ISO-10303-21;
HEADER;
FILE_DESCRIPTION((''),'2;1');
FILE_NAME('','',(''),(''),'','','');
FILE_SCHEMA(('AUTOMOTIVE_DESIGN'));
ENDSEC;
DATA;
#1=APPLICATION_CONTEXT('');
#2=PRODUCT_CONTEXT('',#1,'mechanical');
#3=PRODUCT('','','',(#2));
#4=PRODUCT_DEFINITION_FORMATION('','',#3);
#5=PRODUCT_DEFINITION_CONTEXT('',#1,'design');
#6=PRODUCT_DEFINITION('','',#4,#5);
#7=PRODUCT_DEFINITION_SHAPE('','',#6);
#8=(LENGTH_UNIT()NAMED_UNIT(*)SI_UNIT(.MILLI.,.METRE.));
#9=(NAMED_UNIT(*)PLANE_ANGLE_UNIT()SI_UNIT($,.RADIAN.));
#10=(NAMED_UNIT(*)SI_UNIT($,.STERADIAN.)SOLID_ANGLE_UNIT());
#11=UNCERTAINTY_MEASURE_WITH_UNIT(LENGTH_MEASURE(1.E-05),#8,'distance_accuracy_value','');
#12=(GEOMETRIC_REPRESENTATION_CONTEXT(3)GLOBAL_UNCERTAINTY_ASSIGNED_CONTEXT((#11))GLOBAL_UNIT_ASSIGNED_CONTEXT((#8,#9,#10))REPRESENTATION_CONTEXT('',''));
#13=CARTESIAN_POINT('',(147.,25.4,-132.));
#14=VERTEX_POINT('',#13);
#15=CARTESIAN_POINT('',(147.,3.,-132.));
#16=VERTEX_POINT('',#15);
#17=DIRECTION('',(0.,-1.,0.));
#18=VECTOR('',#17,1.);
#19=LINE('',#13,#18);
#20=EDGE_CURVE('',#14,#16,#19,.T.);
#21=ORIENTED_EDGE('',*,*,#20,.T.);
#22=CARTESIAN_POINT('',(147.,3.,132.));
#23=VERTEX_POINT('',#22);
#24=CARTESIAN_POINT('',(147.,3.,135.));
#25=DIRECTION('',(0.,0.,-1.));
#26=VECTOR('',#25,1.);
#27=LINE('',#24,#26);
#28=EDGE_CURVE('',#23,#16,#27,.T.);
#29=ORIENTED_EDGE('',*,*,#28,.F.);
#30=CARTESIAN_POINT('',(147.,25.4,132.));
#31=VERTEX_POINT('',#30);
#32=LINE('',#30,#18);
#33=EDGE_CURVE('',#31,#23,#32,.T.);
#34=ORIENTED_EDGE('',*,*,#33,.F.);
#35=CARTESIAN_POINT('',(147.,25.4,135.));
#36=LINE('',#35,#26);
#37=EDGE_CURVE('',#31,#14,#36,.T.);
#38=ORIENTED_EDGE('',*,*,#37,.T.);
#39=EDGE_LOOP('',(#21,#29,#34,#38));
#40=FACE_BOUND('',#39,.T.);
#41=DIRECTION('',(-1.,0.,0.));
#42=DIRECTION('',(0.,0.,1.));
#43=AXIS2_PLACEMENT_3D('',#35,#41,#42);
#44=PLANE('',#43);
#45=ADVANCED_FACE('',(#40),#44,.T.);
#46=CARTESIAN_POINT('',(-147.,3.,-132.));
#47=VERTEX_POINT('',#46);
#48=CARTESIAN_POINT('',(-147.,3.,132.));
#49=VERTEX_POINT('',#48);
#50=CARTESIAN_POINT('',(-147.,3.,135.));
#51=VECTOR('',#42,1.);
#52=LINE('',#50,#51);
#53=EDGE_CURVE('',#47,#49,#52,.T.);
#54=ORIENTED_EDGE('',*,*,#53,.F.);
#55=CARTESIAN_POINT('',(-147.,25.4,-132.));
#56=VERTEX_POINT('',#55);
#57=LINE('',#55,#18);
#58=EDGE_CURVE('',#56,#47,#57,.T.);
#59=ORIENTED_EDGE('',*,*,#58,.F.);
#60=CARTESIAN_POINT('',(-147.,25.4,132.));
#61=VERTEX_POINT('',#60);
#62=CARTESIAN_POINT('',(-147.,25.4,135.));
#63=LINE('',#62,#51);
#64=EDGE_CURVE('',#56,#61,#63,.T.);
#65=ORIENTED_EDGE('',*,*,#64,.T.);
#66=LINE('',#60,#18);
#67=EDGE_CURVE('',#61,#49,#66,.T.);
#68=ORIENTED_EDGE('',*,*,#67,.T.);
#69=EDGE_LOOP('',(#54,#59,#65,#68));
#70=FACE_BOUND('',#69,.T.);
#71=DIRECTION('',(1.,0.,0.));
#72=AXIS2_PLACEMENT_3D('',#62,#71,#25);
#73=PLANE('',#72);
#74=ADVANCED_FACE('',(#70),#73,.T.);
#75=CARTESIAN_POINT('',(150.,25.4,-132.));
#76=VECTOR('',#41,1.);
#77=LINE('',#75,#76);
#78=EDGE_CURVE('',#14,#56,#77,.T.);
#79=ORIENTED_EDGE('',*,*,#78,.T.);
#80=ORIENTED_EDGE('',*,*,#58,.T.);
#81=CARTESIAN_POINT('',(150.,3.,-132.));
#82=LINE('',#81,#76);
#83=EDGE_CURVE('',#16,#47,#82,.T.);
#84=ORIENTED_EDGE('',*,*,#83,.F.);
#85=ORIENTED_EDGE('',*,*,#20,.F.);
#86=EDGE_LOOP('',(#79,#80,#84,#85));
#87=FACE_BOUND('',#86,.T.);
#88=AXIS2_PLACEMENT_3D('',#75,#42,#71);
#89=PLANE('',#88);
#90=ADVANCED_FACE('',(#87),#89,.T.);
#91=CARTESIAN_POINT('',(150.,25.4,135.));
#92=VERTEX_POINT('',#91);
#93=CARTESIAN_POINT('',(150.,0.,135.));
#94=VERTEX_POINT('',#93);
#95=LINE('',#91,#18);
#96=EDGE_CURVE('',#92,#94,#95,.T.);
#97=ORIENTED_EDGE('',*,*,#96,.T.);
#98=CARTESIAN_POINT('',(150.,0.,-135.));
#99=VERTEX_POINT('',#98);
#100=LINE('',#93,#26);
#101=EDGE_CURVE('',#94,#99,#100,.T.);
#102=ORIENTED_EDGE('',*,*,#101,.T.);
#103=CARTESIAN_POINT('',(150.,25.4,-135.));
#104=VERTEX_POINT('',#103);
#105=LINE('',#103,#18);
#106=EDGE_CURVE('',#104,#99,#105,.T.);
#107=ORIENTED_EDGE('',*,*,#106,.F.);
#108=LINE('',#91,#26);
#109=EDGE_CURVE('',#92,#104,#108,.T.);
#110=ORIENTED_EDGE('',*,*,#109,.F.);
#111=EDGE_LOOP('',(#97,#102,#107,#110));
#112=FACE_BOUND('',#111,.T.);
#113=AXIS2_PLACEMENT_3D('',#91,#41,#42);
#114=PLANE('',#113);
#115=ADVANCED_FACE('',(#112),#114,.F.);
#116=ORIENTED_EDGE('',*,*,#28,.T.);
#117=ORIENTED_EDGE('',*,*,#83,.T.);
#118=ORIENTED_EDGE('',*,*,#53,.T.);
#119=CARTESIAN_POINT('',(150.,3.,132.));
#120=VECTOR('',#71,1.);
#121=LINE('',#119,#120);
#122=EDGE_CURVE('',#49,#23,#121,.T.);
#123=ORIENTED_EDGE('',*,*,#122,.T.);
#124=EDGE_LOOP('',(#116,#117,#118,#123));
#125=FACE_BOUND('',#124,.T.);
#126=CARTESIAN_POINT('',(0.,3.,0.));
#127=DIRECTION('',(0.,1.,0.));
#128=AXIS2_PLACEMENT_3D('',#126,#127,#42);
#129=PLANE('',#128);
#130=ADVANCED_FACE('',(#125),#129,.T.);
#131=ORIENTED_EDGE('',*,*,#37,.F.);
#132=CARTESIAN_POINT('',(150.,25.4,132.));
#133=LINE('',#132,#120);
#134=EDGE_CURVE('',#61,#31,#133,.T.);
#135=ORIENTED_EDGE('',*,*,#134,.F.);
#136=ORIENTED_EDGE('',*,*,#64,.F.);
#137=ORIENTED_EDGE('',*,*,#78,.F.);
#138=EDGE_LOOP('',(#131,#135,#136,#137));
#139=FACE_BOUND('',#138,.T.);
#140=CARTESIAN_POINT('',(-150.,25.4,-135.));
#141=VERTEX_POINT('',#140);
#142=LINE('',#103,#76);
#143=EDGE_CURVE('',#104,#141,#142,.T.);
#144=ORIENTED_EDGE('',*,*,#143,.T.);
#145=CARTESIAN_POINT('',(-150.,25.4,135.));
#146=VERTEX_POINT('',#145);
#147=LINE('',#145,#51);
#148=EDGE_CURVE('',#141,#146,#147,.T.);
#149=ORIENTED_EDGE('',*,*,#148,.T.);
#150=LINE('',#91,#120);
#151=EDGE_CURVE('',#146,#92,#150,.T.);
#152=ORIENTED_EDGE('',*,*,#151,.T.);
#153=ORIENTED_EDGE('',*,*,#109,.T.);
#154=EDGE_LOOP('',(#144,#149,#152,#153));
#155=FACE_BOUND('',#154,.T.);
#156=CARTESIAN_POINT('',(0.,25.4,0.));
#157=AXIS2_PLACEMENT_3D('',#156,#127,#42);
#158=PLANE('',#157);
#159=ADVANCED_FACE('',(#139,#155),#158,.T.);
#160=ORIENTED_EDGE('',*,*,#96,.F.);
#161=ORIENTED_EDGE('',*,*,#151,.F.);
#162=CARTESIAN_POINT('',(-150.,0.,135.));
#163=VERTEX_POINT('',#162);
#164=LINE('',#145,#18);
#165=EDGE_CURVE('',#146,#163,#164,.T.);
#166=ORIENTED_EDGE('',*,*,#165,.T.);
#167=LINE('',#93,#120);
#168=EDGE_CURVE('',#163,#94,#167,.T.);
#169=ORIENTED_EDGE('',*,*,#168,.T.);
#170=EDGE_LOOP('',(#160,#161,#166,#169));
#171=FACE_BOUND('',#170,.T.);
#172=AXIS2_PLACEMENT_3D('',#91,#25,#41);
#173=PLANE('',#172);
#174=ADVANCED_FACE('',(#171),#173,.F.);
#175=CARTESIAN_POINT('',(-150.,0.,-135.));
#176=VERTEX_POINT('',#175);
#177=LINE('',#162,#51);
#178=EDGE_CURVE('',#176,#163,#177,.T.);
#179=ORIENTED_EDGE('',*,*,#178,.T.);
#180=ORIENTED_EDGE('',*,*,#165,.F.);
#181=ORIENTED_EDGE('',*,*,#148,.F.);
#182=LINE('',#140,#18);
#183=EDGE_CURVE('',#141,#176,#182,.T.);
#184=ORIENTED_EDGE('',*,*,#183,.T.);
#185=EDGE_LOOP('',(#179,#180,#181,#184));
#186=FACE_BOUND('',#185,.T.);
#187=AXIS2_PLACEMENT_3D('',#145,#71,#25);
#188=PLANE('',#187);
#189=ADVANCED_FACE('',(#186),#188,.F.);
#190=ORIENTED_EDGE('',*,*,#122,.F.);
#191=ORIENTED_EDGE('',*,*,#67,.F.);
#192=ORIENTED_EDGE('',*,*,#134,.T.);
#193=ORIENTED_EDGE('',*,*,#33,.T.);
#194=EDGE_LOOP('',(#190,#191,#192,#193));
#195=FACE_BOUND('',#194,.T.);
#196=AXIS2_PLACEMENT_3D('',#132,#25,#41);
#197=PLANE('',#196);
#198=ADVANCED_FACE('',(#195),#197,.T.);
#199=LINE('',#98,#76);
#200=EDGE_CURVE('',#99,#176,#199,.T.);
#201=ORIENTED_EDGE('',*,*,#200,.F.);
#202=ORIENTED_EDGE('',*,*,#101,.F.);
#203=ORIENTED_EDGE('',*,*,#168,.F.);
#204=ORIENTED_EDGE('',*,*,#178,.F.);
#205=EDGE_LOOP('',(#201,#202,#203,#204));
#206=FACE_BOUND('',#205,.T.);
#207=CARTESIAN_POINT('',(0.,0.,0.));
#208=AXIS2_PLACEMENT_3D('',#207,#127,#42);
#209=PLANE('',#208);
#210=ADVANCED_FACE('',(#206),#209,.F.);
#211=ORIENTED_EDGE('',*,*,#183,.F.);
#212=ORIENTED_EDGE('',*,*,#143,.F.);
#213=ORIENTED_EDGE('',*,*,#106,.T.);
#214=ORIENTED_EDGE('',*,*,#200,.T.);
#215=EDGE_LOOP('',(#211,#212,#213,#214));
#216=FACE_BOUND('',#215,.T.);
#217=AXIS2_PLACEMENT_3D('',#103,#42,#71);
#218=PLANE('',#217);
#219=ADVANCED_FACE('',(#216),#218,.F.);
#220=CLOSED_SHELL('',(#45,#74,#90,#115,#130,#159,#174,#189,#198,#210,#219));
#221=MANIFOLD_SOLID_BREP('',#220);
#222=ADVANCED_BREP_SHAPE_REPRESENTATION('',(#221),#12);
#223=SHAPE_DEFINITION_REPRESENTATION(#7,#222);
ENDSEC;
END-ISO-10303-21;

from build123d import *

# Parameters (mm, degrees)
CROQUIS1_W              = 300
CROQUIS1_H              = 270
SALIENTE_EXTRUIR1_DEPTH = 25.4
VACIADO1_T              = -3


with BuildPart() as part:
    # Croquis1 → Saliente-Extruir1 (new body)
    with BuildSketch(Plane(origin=(0, 0, 0), x_dir=(1, 0, 0), z_dir=(0, 1, 0))):
        Rectangle(CROQUIS1_W, CROQUIS1_H)
    extrude(amount=SALIENTE_EXTRUIR1_DEPTH)

    # Vaciado1
    vaciado1_openings = [part.faces().sort_by_distance(p)[0] for p in [
        (0, 25.4, 0),
    ]]
    offset(amount=VACIADO1_T, openings=vaciado1_openings, kind=Kind.INTERSECTION)


solid = part.part
